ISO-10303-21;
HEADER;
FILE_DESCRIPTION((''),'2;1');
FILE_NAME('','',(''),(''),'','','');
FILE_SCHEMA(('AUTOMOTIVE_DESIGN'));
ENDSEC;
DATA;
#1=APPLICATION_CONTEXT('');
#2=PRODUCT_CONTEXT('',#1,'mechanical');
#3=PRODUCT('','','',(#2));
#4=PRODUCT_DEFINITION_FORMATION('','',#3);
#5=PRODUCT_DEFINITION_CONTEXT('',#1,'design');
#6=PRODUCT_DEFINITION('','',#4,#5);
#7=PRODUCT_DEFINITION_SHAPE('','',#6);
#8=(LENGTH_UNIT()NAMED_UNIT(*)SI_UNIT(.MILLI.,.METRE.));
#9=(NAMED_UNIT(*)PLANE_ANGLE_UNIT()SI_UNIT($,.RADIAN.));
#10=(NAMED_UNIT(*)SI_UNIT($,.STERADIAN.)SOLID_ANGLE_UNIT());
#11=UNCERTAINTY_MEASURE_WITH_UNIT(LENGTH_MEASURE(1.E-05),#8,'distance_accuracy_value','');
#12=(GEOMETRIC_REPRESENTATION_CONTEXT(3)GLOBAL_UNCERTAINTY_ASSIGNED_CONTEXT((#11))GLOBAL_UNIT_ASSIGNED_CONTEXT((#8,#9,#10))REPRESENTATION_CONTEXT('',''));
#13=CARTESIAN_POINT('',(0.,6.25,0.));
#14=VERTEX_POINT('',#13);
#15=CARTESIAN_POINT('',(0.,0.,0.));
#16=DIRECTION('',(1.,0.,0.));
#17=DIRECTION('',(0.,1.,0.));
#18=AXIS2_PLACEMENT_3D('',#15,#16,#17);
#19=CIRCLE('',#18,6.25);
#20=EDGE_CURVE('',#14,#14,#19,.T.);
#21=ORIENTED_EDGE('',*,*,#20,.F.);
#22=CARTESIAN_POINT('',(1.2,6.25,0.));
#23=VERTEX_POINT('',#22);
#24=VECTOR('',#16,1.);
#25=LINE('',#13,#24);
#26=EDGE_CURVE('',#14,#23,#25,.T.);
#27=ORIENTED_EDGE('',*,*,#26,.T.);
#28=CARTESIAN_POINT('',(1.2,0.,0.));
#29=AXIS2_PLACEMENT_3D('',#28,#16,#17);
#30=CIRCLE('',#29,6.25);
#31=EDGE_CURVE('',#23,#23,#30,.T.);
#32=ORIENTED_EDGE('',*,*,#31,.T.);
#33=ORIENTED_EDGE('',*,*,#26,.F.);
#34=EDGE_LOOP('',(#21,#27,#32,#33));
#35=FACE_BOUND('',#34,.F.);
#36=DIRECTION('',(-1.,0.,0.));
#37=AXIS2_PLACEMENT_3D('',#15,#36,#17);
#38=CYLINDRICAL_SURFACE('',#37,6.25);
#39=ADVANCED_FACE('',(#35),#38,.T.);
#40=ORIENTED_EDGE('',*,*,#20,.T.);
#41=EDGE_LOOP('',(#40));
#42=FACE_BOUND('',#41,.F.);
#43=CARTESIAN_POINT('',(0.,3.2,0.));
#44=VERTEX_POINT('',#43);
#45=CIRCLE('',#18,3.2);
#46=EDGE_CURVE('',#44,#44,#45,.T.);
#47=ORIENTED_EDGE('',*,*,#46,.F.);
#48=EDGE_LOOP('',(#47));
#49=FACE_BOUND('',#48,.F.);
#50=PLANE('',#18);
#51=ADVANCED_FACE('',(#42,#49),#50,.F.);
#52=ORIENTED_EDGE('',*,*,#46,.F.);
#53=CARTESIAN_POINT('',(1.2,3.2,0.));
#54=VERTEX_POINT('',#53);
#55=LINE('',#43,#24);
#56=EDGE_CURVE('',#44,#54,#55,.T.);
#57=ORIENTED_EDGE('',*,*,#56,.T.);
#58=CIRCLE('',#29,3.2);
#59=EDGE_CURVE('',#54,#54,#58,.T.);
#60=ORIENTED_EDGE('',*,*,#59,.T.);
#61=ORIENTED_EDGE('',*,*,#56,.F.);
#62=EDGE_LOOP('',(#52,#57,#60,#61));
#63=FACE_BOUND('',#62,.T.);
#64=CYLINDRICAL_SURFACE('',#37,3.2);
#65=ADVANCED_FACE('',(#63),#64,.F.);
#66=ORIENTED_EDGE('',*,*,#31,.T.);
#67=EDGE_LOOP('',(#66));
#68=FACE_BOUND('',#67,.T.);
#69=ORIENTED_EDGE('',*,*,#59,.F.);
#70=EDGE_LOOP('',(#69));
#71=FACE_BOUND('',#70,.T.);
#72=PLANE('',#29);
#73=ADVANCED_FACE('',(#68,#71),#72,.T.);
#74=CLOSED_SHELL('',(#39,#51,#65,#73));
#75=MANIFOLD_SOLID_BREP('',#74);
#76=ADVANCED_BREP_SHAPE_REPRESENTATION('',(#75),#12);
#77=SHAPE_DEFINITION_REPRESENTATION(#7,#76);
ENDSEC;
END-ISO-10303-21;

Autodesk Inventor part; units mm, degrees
ref_plane "YZ Plane" through (0, 0, 0) normal (1, 0, 0) x (0, 1, 0)
ref_plane "XZ Plane" through (0, 0, 0) normal (0, 1, 0) x (-1, 0, 0)
sketch "Sketch" plane through (0, 0, 0) normal (1, 0, 0) x (0, 1, 0)
  circle A0 centre (0, 0) radius 6.25
  circle A1 centre (0, 0) radius 3.2
  dimension "d0" = 6.4
  dimension "d1" = 12.5
extrude "Body" add sketch "Sketch" along normal blind 1.2
ref_plane "Work Plane1" through (0, 0, 0) normal (0, 0, 1) x (1, 0, 0)
equation "\"d0\" = SD1"
equation "\"d1\" = SD2"
equation "\"d2\" = SD"
equation "\"SD1\" = 6.4"
equation "\"SD2\" = 12.5"
equation "\"SD\" = 1.2"
equation "\"NND\" = 6"
properties part number "AS 1237 - 6 mm" material "Aluminum 6061"
